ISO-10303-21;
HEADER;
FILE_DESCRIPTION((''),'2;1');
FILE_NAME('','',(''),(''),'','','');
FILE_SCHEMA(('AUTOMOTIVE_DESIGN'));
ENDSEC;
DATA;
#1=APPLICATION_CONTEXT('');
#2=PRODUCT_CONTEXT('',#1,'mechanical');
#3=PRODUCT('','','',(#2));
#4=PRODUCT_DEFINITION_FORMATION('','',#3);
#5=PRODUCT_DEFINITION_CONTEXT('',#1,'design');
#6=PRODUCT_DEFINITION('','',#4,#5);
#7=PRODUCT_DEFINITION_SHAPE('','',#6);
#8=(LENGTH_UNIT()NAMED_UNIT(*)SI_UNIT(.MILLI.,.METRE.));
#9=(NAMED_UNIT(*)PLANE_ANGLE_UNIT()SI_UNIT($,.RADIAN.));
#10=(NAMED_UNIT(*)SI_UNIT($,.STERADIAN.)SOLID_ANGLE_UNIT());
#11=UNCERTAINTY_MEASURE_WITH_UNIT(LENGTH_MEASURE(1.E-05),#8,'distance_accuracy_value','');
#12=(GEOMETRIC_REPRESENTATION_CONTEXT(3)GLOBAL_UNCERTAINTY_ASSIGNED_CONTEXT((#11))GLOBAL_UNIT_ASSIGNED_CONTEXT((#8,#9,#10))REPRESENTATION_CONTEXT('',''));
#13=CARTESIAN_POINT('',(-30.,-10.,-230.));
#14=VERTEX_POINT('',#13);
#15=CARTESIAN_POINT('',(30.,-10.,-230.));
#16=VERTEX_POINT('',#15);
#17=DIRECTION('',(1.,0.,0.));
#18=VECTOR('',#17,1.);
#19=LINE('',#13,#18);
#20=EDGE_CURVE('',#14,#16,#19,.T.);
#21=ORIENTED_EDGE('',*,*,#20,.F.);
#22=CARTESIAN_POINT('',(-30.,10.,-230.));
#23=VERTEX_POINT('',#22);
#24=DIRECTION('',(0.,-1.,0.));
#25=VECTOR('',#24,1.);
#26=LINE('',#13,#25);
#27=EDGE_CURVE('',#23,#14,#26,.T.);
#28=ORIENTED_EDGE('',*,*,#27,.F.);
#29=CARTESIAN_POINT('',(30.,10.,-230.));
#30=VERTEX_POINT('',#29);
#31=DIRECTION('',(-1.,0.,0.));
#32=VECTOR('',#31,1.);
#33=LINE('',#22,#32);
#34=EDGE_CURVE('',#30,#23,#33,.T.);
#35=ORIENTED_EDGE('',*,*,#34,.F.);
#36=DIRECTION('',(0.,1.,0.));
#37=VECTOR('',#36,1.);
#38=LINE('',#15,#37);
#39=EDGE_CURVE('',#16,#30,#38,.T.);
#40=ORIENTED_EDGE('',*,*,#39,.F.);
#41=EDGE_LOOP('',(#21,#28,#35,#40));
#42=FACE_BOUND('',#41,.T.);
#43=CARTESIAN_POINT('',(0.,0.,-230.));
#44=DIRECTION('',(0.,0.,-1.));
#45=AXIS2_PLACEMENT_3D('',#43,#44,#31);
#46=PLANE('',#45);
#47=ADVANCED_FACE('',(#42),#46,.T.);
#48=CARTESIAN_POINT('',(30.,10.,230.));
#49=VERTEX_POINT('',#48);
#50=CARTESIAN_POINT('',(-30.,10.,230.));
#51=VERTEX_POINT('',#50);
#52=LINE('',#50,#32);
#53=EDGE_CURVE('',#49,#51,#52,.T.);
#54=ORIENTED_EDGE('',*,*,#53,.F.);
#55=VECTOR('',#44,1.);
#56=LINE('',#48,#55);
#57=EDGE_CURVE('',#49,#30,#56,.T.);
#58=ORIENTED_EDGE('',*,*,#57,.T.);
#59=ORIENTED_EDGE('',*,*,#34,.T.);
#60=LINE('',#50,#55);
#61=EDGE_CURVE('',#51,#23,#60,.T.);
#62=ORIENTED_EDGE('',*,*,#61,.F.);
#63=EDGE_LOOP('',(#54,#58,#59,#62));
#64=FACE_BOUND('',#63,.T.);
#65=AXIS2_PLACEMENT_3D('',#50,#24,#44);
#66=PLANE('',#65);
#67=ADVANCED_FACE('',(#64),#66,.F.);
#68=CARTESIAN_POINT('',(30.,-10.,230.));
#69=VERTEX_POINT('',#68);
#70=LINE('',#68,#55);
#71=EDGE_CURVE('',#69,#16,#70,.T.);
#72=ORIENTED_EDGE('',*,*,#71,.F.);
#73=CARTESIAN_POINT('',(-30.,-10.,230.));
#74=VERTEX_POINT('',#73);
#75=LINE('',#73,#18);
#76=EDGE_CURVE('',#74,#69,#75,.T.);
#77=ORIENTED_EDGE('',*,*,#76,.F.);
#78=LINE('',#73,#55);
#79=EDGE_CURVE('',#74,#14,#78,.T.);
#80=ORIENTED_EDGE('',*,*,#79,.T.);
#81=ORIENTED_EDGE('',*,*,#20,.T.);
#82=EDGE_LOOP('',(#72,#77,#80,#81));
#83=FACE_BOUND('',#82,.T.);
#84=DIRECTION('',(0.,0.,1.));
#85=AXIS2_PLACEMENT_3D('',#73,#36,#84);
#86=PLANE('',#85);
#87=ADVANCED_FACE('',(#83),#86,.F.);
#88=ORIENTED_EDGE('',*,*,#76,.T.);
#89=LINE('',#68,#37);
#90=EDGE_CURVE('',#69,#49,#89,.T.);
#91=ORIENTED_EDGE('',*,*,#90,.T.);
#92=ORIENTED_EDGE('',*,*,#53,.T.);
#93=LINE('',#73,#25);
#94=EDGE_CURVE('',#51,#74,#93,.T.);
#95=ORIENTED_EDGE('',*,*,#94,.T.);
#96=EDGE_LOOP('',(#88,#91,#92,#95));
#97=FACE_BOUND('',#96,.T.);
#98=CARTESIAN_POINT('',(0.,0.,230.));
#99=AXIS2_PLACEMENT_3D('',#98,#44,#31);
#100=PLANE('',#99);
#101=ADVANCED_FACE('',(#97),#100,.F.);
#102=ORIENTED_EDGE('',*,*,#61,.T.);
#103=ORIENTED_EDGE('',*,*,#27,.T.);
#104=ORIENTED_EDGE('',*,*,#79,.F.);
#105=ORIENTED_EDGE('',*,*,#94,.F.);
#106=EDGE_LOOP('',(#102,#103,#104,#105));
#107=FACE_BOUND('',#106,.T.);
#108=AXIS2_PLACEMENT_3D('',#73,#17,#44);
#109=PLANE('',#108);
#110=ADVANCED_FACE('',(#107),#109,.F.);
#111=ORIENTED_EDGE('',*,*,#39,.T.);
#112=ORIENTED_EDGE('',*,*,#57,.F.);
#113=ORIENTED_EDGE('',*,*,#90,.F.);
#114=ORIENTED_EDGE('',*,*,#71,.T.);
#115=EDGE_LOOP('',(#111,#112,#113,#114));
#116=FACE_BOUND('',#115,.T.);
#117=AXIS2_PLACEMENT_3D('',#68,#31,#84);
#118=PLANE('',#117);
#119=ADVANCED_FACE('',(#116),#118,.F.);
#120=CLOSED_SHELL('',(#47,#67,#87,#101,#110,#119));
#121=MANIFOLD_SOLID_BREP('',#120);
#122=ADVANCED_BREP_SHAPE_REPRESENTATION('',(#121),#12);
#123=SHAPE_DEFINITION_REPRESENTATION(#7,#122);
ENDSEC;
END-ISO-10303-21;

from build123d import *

# Parameters (mm, degrees)
SKETCH1_W           = 60
SKETCH1_H           = 20
BOSS_EXTRUDE1_DEPTH = 230


with BuildPart() as part:
    # Sketch1 → Boss-Extrude1 (new body, symmetric)
    with BuildSketch(Plane.XY):
        Rectangle(SKETCH1_W, SKETCH1_H)
    extrude(amount=BOSS_EXTRUDE1_DEPTH, both=True)


solid = part.part
